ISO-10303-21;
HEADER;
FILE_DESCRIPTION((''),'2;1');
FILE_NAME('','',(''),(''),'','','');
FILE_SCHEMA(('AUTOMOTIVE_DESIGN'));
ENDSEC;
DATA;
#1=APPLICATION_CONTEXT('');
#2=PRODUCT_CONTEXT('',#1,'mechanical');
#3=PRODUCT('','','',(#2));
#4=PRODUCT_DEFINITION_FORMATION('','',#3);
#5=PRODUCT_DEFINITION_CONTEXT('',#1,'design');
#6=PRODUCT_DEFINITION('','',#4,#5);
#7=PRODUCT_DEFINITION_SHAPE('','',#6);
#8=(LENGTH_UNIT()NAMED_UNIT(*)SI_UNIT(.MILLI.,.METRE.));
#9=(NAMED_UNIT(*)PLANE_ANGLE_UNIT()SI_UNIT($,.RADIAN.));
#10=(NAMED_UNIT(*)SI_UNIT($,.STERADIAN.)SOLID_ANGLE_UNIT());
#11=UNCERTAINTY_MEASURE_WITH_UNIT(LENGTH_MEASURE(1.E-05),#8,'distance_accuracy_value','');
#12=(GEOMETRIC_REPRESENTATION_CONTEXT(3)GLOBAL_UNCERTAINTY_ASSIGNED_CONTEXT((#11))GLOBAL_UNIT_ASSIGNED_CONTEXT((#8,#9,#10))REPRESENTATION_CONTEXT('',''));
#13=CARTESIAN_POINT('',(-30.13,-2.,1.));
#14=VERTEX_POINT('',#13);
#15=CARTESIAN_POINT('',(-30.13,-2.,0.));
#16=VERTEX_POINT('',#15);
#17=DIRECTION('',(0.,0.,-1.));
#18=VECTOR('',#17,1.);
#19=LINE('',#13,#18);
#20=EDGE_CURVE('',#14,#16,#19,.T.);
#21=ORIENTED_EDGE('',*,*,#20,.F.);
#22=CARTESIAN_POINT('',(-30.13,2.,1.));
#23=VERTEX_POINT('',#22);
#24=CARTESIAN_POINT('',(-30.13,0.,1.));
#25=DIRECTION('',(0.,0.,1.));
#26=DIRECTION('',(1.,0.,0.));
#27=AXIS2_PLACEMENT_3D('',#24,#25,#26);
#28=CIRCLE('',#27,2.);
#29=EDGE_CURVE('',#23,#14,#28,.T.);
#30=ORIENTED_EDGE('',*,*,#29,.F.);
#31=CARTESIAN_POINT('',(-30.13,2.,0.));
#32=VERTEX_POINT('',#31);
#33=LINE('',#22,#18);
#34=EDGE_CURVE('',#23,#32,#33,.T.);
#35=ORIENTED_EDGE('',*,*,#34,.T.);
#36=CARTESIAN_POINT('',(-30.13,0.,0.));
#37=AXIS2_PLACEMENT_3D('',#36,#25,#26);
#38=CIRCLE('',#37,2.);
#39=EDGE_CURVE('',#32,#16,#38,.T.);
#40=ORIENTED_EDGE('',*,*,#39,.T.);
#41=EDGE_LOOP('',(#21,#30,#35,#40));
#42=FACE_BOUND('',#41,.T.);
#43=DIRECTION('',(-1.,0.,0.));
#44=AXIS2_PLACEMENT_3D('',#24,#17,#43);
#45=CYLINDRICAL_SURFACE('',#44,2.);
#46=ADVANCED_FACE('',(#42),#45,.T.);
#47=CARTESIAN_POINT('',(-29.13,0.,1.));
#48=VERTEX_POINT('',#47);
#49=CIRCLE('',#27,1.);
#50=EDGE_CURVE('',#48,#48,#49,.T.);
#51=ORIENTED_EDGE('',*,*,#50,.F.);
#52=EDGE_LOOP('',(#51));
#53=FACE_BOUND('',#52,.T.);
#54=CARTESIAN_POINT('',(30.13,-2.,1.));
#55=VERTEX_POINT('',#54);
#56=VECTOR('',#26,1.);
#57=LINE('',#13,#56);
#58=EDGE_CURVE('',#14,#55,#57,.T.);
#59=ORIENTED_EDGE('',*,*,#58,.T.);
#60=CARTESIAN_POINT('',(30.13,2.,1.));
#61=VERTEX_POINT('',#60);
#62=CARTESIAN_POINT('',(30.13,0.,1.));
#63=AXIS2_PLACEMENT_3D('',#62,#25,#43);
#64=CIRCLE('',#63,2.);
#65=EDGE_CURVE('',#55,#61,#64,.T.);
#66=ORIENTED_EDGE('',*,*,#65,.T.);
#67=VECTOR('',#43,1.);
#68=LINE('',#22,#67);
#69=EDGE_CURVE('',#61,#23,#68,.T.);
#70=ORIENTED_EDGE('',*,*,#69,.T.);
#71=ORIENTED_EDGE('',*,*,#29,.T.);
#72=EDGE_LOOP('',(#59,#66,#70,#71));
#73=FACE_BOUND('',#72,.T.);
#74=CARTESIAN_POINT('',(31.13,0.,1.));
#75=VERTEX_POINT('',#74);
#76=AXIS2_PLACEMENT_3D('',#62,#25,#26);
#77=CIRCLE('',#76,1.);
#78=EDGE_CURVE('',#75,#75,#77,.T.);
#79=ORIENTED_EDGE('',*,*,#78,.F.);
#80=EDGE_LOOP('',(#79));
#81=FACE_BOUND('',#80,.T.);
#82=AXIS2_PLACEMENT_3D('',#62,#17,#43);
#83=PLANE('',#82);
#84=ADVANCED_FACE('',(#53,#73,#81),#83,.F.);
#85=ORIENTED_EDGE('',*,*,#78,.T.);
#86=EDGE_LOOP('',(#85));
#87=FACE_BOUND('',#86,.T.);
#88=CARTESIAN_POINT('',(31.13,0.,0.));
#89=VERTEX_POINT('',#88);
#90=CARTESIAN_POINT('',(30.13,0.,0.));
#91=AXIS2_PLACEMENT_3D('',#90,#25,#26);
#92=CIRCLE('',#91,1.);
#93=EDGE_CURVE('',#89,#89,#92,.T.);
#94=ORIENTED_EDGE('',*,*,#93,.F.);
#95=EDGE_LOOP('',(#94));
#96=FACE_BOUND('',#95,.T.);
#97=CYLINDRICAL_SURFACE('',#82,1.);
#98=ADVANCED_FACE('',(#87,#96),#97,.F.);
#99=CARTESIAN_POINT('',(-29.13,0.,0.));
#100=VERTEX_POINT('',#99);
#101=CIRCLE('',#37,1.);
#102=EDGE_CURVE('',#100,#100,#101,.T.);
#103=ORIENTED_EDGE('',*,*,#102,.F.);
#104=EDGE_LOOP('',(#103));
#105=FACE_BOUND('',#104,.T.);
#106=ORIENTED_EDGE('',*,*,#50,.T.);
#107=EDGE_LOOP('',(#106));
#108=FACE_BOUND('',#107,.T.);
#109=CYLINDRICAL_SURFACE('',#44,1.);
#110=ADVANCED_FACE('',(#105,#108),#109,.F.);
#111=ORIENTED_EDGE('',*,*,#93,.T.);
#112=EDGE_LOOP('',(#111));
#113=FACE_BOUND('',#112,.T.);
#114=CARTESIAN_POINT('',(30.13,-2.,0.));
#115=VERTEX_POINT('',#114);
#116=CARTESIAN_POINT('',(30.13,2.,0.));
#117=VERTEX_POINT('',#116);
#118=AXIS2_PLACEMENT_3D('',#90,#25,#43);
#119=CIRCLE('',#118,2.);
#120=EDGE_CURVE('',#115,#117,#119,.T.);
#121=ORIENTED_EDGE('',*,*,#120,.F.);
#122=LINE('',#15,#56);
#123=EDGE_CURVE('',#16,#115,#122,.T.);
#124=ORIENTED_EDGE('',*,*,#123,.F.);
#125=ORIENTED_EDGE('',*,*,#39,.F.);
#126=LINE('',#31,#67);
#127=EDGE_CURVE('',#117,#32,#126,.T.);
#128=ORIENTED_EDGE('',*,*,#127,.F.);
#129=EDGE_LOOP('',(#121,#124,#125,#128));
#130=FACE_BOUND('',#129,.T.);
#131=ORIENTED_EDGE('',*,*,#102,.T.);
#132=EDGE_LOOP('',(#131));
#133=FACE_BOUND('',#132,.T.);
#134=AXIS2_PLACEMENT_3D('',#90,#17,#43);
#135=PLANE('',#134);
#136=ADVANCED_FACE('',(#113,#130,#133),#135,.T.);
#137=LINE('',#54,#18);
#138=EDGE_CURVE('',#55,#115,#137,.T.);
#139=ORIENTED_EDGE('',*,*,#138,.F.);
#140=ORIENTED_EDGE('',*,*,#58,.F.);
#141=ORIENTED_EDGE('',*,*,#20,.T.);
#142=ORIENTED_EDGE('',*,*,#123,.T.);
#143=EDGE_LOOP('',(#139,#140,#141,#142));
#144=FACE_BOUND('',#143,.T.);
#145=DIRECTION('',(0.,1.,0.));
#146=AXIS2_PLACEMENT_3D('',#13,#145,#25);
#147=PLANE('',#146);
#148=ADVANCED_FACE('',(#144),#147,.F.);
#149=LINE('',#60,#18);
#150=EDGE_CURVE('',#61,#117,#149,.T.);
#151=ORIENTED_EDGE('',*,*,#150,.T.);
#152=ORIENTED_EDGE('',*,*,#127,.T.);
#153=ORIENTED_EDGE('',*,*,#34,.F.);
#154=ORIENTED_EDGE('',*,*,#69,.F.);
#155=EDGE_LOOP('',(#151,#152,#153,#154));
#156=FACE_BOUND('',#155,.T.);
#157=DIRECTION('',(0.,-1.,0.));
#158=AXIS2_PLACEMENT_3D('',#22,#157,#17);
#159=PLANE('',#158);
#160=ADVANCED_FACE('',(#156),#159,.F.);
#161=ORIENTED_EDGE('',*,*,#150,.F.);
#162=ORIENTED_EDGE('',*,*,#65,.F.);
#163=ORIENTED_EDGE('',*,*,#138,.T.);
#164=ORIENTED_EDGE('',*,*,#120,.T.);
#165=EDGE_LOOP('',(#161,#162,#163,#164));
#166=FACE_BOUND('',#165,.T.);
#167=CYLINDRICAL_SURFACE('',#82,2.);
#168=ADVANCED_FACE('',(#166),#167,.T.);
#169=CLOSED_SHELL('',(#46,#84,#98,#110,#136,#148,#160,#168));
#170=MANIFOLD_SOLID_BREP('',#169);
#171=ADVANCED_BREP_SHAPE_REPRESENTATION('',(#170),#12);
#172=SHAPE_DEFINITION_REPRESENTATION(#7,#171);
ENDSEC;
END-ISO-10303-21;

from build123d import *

# Parameters (mm, degrees)
ESBO_O1_R                = 1
RESSALTO_EXTRUS_O1_DEPTH = 1


with BuildPart() as part:
    # Esboço1 → Ressalto-extrusão1 (new body)
    with BuildSketch(Plane.XY):
        with BuildLine():
            Line((-30.13, 2), (30.13, 2))
            ThreePointArc((30.13, 2), (32.13, 0), (30.13, -2))
            Line((30.13, -2), (-30.13, -2))
            ThreePointArc((-30.13, -2), (-32.13, 0), (-30.13, 2))
        make_face()
        with Locations((-30.13, 0)):
            Circle(ESBO_O1_R, mode=Mode.SUBTRACT)
        with Locations((30.13, 0)):
            Circle(ESBO_O1_R, mode=Mode.SUBTRACT)
    extrude(amount=RESSALTO_EXTRUS_O1_DEPTH)


solid = part.part
